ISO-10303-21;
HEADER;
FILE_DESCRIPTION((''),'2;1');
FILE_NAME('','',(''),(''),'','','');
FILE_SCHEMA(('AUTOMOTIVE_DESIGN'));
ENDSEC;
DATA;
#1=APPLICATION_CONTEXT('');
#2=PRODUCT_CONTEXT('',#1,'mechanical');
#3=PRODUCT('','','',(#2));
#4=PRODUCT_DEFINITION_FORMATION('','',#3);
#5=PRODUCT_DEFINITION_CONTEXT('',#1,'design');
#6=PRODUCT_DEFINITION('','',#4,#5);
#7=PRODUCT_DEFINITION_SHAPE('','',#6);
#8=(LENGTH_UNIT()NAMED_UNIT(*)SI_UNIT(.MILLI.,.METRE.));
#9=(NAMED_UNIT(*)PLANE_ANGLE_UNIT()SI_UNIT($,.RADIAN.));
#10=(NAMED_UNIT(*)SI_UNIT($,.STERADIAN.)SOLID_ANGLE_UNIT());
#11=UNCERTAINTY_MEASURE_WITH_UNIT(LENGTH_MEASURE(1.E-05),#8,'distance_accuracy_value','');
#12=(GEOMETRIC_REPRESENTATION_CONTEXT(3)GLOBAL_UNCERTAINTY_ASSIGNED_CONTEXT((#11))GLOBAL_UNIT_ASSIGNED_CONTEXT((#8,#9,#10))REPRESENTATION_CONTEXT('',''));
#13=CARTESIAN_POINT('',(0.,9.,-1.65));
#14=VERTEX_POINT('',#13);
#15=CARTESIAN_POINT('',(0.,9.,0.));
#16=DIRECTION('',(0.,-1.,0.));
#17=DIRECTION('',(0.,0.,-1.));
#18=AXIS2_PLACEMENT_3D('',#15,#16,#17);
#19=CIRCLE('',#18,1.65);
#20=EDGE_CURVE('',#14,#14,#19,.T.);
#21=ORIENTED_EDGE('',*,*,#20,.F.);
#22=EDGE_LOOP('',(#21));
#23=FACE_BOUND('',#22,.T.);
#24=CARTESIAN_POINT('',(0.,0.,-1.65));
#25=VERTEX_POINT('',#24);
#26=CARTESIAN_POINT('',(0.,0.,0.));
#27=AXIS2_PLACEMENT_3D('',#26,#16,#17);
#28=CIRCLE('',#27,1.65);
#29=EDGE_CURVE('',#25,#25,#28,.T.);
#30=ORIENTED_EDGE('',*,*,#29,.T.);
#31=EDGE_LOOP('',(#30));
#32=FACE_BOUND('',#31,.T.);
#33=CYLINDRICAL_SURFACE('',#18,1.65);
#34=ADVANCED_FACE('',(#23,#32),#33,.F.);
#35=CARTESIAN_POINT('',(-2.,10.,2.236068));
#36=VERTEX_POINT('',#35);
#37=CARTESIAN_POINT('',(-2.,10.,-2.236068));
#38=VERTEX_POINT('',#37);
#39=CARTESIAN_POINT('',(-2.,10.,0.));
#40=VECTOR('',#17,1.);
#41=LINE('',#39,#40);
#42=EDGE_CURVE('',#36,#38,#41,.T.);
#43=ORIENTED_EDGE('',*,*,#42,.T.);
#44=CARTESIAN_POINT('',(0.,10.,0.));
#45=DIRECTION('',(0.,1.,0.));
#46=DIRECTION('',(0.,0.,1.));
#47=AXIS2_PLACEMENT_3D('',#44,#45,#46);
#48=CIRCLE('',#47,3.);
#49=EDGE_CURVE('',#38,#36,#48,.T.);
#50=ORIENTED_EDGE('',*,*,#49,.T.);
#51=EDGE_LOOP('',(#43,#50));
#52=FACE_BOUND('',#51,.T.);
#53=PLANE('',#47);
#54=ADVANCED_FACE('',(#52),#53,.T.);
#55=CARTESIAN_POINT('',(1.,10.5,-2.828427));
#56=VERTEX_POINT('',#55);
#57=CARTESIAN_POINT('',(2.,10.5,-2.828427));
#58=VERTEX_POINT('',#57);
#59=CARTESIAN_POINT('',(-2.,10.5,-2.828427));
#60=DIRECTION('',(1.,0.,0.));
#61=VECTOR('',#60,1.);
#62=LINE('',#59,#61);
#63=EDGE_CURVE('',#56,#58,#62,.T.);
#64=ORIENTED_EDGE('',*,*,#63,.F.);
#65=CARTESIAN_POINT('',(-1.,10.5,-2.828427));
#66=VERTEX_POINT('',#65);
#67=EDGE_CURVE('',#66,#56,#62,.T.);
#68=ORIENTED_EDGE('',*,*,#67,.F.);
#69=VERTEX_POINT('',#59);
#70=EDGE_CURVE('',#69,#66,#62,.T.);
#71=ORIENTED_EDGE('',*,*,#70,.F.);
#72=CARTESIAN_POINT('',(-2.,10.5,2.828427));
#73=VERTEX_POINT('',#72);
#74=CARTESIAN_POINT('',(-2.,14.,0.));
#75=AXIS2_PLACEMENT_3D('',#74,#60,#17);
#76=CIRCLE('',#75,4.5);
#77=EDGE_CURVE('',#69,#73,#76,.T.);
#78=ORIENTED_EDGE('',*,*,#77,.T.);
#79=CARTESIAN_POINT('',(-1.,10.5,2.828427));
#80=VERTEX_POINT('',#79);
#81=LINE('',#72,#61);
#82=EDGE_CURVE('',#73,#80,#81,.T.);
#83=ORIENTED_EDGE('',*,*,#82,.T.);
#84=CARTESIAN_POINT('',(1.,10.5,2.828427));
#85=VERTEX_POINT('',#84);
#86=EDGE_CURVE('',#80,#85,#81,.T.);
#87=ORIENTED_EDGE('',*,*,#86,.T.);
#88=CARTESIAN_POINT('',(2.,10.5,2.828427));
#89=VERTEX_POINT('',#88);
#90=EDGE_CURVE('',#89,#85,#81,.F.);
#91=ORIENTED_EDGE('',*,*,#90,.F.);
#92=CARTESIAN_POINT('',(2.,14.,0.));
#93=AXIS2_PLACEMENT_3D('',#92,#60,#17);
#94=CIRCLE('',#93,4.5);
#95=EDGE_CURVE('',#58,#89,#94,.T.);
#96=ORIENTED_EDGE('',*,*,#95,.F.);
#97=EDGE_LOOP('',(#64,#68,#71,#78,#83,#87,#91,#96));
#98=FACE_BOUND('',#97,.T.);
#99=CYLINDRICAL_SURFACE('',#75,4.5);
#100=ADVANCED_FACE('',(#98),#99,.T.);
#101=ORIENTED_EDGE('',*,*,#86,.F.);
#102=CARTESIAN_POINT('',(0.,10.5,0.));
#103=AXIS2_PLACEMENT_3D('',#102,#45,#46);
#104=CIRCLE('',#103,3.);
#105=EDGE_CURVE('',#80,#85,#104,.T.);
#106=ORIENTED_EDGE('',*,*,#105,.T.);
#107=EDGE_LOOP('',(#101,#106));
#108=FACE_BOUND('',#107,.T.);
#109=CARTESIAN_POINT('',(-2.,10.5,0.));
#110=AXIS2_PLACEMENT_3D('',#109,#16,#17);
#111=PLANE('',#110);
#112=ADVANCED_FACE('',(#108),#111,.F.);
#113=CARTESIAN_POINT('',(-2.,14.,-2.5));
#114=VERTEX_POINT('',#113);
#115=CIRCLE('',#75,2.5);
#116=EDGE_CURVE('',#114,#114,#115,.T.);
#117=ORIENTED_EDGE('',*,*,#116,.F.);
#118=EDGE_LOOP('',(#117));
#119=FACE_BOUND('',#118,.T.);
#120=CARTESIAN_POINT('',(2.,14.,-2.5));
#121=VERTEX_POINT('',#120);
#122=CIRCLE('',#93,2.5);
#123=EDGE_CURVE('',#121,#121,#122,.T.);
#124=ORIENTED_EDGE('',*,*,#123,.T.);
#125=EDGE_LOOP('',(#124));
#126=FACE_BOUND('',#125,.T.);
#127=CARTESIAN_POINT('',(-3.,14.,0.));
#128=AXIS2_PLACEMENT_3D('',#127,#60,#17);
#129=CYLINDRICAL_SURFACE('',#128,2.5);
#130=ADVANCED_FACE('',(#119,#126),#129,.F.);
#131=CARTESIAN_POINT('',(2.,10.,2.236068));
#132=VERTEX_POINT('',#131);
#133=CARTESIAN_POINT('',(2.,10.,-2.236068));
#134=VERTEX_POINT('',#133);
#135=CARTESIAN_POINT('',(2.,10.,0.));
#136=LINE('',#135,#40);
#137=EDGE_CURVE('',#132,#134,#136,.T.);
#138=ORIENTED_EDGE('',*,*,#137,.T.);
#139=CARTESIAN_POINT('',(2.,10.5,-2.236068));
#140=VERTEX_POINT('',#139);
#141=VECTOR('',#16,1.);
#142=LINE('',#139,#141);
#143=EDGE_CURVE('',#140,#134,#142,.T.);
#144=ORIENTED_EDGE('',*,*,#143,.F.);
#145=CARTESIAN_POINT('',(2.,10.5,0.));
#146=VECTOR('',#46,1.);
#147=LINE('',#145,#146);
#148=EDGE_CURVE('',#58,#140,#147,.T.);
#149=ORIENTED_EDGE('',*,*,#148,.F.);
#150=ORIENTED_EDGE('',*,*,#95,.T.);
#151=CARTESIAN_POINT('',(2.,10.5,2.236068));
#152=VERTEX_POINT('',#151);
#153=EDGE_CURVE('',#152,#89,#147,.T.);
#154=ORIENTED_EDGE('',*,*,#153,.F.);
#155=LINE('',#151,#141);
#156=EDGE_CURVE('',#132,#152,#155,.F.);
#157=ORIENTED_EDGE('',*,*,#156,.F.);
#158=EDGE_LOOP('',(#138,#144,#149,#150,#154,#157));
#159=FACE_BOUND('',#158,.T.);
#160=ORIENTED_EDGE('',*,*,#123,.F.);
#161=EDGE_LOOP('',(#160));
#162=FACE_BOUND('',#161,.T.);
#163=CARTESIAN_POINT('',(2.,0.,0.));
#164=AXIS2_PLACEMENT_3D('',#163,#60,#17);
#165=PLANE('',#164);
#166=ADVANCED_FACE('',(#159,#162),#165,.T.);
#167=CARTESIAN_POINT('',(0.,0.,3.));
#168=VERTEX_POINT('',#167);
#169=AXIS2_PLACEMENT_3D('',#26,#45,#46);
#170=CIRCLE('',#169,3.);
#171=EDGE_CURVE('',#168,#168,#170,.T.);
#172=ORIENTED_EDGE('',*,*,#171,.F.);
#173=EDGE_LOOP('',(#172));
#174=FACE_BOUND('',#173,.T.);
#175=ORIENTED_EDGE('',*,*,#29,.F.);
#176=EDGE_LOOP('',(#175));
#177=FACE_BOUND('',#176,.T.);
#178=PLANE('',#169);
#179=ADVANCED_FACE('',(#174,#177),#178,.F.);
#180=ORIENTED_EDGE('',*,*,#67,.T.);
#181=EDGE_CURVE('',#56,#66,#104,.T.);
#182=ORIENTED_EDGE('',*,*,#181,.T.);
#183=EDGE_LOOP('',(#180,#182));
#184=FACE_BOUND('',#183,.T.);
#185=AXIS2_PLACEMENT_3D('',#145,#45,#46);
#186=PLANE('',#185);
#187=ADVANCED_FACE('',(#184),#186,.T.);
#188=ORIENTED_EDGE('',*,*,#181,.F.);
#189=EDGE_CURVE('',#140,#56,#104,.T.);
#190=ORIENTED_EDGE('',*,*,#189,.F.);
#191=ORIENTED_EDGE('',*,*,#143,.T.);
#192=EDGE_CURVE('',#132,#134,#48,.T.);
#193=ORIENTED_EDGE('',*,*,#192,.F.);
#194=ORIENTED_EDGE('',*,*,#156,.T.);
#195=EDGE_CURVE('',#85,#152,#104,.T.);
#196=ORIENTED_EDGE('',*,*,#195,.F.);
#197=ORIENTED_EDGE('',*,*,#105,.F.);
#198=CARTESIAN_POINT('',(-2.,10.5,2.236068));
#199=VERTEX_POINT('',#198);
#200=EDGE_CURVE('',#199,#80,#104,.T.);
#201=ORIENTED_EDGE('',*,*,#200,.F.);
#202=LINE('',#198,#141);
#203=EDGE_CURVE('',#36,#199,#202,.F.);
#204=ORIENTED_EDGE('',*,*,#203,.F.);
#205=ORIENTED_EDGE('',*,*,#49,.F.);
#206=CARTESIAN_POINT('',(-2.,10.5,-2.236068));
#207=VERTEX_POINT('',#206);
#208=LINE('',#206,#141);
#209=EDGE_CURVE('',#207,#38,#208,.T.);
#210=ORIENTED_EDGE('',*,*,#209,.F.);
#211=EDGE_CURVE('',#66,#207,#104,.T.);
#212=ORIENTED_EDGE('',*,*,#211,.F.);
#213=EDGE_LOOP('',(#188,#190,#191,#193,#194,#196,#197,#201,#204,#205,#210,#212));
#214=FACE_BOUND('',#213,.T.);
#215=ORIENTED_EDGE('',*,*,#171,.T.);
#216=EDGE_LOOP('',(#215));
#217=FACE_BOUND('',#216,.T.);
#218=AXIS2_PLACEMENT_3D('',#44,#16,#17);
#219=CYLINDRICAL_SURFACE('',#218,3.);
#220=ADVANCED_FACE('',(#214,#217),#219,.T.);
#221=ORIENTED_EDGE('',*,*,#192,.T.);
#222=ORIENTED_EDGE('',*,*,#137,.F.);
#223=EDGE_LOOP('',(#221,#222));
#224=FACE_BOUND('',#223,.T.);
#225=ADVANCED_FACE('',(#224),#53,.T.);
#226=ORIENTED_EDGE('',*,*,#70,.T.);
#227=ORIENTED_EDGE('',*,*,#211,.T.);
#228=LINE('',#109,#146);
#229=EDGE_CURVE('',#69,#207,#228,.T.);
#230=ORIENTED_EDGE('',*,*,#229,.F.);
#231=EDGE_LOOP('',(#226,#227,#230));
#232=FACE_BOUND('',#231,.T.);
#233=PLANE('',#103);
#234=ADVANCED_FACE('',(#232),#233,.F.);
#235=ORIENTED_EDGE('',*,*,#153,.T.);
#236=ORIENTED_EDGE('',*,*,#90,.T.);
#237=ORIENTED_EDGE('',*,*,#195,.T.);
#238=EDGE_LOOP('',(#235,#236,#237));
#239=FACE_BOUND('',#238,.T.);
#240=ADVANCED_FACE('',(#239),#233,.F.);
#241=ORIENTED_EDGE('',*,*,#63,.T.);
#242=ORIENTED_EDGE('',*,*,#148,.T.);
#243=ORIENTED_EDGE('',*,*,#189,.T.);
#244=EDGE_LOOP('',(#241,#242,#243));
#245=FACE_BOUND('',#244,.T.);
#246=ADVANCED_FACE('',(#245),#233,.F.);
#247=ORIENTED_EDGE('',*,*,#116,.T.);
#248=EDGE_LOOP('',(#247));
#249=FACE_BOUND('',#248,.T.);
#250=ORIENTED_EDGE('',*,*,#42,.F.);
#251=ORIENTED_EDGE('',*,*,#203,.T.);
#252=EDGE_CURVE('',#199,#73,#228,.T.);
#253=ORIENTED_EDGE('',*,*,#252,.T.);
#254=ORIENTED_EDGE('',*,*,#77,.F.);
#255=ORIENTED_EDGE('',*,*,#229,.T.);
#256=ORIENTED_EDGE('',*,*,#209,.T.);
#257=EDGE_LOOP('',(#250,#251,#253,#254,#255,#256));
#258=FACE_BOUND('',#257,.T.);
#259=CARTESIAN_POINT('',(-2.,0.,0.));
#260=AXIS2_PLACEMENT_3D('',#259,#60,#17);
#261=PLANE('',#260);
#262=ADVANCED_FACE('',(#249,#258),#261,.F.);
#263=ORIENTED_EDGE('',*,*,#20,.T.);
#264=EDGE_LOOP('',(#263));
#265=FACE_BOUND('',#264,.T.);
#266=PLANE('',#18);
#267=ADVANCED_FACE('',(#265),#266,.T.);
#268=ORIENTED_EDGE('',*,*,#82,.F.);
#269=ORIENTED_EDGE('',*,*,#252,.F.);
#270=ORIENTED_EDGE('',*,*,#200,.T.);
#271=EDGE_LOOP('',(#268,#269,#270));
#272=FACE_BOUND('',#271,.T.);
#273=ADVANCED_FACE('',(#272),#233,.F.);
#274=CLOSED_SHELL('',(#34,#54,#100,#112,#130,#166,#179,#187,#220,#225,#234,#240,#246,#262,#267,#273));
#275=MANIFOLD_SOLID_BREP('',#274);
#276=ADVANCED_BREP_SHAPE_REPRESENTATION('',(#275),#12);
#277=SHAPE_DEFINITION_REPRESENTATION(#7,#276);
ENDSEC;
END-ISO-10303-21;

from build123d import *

# Parameters (mm, degrees)
SKETCH1_R                 = 3
CRANK_BODY_DEPTH          = 10
SKETCH2_R                 = 1.65
DOWEL_SHAFT_DEPTH         = 9
PIN_SHAFT_BODY_DEPTH      = 2
PIN_SHAFT_BODY_DEPTH_BACK = 2
SKETCH4_R                 = 2.5
PIN_SHAFT_DEPTH           = 20.685019685
SKETCH1_2_OUTSIDE_W       = 12.286
SKETCH1_2_OUTSIDE_H       = 15.286
SKETCH1_2_OUTSIDE_R       = 3
SMOOTHING_CUTS_DEPTH      = 10.5


with BuildPart() as part:
    # Sketch1 → crank_body (new body)
    with BuildSketch(Plane(origin=(0, 0, 0), x_dir=(1, 0, 0), z_dir=(0, 1, 0))):
        Circle(SKETCH1_R)
    extrude(amount=CRANK_BODY_DEPTH)

    # Sketch2 → dowel_shaft (cut)
    with BuildSketch(Plane.XZ):
        Circle(SKETCH2_R)
    extrude(amount=-DOWEL_SHAFT_DEPTH, mode=Mode.SUBTRACT)

    # Sketch3 → pin_shaft_body (add, two sides: drawn at the far end of the back side and taken through both)
    with BuildSketch(Plane(origin=(0, 0, 0), x_dir=(0, 0, -1), z_dir=(1, 0, 0)).offset(-PIN_SHAFT_BODY_DEPTH_BACK)):
        with BuildLine():
            Line((-3, 10.5), (-3, 10))
            Line((-3, 10), (3, 10))
            Line((3, 10), (3, 10.5))
            Line((3, 10.5), (2.828427125, 10.5))
            ThreePointArc((2.828427125, 10.5), (0, 18.5), (-2.828427125, 10.5))
            Line((-2.828427125, 10.5), (-3, 10.5))
        make_face()
    extrude(amount=PIN_SHAFT_BODY_DEPTH + PIN_SHAFT_BODY_DEPTH_BACK)

    # Sketch4 → pin_shaft (cut, through all)
    with BuildSketch(Plane(origin=(2, 0, 0), x_dir=(0, 0, -1), z_dir=(1, 0, 0))):
        with Locations((0, 14)):
            Circle(SKETCH4_R)
    extrude(amount=-PIN_SHAFT_DEPTH, mode=Mode.SUBTRACT)

    # Sketch1<2> outside → smoothing_cuts (cut)
    with BuildSketch(Plane(origin=(0, 0, 0), x_dir=(1, 0, 0), z_dir=(0, 1, 0))):
        Rectangle(SKETCH1_2_OUTSIDE_W, SKETCH1_2_OUTSIDE_H)
        Circle(SKETCH1_2_OUTSIDE_R, mode=Mode.SUBTRACT)
    extrude(amount=SMOOTHING_CUTS_DEPTH, mode=Mode.SUBTRACT)


solid = part.part
